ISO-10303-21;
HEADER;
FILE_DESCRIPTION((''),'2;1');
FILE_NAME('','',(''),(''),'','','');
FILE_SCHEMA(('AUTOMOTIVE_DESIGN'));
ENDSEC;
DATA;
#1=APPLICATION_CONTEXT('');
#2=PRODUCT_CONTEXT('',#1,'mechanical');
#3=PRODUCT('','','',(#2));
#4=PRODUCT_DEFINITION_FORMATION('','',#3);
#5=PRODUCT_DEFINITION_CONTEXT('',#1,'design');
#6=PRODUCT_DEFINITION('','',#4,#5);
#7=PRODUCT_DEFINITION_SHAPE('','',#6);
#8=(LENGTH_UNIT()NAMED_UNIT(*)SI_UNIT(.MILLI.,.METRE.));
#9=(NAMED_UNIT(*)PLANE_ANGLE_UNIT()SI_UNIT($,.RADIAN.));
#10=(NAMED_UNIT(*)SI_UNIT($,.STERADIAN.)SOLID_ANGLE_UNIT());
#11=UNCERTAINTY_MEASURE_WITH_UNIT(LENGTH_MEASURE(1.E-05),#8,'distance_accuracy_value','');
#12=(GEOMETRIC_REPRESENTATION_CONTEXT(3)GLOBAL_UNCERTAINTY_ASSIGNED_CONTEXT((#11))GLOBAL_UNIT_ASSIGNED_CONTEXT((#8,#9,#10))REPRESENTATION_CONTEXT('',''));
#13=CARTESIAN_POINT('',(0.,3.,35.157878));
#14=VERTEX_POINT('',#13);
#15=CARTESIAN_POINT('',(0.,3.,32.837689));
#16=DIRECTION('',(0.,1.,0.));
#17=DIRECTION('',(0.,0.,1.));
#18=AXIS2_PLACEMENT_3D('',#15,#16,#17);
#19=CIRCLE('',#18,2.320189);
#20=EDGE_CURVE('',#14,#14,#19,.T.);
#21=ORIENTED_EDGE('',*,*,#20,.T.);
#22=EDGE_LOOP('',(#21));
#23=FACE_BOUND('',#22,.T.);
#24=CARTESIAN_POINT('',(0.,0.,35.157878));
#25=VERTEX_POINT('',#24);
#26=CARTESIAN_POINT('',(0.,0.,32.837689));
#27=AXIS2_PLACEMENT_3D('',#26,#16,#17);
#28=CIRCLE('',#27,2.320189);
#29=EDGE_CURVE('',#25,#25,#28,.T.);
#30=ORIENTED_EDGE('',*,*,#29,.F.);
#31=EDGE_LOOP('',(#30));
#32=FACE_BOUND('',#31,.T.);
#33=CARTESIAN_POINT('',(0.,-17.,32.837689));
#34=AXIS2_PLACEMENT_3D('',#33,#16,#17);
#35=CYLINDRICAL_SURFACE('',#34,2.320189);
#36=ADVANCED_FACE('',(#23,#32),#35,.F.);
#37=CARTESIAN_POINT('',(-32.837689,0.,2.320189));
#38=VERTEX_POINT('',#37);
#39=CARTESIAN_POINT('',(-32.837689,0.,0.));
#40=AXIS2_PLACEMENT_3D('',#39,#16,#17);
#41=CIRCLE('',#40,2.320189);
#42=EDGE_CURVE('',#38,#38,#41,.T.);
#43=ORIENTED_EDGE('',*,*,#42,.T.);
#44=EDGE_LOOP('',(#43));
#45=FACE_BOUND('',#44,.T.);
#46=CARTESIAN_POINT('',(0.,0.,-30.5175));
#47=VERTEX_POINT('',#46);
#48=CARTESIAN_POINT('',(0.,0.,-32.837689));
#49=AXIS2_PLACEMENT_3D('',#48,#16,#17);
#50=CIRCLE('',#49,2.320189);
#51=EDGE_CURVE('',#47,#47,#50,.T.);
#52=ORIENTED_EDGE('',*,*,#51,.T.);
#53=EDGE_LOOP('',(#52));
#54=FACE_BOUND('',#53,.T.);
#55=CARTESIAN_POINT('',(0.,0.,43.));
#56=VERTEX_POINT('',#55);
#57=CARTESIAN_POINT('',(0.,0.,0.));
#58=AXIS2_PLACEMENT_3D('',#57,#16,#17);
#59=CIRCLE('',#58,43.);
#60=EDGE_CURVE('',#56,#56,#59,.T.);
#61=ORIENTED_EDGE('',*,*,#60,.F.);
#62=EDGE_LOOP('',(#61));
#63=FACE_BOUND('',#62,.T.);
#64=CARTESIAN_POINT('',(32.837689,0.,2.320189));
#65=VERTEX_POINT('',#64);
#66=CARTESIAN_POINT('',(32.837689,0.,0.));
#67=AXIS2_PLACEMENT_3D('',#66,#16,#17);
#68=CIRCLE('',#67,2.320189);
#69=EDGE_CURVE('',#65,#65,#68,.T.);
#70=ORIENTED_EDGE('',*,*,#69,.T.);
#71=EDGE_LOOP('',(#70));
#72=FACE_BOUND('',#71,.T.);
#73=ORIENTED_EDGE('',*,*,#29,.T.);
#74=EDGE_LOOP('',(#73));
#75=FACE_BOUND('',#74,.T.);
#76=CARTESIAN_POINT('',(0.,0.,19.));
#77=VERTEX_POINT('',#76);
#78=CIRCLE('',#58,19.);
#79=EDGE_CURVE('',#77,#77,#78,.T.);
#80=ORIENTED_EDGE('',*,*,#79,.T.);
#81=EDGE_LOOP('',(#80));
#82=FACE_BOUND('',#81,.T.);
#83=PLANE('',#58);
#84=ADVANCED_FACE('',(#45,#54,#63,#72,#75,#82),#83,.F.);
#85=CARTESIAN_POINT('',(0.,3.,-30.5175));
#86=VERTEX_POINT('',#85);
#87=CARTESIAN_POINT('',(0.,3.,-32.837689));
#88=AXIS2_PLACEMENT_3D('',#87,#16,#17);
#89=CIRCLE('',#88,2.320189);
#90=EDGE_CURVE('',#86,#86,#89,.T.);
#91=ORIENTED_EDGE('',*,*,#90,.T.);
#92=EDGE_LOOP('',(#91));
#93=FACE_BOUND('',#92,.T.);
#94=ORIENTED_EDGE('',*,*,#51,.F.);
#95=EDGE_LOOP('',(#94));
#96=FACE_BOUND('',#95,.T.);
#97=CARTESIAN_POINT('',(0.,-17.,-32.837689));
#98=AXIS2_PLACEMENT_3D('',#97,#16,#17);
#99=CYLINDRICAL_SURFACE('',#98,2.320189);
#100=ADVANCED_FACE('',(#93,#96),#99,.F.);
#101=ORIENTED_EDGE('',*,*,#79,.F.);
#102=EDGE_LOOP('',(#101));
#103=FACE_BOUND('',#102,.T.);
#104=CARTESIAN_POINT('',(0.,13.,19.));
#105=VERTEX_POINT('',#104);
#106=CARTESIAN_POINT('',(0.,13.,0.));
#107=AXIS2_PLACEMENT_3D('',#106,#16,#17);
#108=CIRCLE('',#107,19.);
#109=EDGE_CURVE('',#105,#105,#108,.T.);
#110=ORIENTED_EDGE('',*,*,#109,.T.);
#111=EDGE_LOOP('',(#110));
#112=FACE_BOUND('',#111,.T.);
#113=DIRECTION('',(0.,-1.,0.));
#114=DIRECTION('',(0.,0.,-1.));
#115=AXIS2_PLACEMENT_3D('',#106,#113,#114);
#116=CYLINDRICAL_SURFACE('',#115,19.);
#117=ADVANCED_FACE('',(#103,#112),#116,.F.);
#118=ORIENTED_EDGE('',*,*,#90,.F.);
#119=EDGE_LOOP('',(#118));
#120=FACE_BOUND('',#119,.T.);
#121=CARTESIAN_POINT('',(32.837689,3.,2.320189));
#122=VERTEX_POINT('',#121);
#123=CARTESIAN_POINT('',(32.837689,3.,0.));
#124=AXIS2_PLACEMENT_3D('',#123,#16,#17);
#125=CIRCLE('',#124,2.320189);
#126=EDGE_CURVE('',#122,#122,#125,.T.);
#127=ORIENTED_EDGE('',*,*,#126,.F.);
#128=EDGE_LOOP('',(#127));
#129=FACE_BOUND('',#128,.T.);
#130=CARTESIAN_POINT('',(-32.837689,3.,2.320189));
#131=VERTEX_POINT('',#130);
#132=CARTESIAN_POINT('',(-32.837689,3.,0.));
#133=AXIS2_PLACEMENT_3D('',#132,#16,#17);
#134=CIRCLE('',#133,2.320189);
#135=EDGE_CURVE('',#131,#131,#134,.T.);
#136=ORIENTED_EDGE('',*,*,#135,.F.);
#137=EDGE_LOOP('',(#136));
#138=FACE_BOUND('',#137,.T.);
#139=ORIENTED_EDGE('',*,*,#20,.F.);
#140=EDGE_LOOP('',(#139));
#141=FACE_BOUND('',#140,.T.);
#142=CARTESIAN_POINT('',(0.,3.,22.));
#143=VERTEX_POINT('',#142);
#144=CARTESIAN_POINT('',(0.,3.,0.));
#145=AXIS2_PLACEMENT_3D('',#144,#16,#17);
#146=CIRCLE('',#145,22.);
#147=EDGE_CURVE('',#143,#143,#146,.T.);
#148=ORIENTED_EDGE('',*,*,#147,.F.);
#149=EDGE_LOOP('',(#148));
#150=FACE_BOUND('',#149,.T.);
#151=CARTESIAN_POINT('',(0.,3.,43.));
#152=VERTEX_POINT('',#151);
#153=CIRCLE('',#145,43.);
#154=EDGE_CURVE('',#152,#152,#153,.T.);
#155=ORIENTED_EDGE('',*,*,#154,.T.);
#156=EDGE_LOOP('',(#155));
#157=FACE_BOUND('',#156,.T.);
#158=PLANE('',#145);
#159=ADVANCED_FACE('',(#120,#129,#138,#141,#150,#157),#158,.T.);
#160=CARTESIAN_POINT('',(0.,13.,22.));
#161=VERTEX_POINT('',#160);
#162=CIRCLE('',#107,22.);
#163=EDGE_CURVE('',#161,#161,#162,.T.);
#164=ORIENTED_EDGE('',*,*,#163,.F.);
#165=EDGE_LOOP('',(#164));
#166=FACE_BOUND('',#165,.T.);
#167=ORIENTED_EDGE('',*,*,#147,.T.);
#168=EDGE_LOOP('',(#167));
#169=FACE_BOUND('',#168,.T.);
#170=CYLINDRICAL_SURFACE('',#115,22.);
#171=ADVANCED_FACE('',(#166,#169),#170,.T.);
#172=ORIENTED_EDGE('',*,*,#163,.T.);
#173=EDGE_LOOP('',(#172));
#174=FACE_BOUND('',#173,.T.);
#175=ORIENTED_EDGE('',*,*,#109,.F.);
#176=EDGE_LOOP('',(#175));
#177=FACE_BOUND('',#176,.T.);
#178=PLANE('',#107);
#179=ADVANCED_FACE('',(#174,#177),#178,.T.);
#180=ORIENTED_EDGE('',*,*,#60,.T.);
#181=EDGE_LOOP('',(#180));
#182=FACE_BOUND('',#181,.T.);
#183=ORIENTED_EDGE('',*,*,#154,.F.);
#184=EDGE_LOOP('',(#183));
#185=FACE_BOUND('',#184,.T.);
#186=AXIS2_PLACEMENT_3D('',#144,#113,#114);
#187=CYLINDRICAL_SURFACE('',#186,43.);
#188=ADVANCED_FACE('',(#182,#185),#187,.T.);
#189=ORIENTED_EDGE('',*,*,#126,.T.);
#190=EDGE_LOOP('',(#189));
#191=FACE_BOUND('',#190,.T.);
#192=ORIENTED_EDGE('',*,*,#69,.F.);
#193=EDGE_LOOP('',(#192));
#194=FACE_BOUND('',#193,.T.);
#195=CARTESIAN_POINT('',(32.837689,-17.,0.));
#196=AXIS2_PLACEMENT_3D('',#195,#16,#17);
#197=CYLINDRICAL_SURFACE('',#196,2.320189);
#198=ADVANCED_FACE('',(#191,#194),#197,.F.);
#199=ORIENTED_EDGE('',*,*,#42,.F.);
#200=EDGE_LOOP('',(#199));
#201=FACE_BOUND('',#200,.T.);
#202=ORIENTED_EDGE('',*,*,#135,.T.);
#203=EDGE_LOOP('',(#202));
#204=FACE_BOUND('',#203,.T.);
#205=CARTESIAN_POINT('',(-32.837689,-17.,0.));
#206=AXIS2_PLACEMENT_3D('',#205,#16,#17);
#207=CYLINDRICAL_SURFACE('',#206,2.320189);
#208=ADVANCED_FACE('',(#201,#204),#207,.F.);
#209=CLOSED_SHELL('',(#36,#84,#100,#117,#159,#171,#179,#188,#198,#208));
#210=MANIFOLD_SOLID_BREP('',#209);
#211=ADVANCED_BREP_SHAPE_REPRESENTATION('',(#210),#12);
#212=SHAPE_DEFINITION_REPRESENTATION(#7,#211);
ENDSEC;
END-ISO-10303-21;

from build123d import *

# Parameters (mm, degrees)
SKETCH_1_R          = 43
EXTRUDE_1_DEPTH     = 3
SKETCH_2_R          = 22
SKETCH_2_R_2        = 19
EXTRUDE_2_DEPTH     = 10
SKETCH_3_R          = 19
SKETCH_3_R_2        = 2.320189094
CUT_EXTRUDE_1_DEPTH = 20


with BuildPart() as part:
    # 草图1 → 凸台-拉伸1 (new body)
    with BuildSketch(Plane(origin=(0, 0, 0), x_dir=(1, 0, 0), z_dir=(0, 1, 0))):
        Circle(SKETCH_1_R)
    extrude(amount=EXTRUDE_1_DEPTH)

    # 草图2 → 凸台-拉伸2 (add)
    with BuildSketch(Plane(origin=(0, 3, 0), x_dir=(1, 0, 0), z_dir=(0, 1, 0))):
        Circle(SKETCH_2_R)
        Circle(SKETCH_2_R_2, mode=Mode.SUBTRACT)
    extrude(amount=EXTRUDE_2_DEPTH)

    # 草图3 → 切除-拉伸1 (cut)
    with BuildSketch(Plane(origin=(0, 3, 0), x_dir=(1, 0, 0), z_dir=(0, 1, 0))):
        Circle(SKETCH_3_R)
        with Locations((0, 32.837689205)):
            Circle(SKETCH_3_R_2)
        with Locations((32.837689205, 0)):
            Circle(SKETCH_3_R_2)
        with Locations((0, -32.837689205)):
            Circle(SKETCH_3_R_2)
        with Locations((-32.837689205, 0)):
            Circle(SKETCH_3_R_2)
    extrude(amount=-CUT_EXTRUDE_1_DEPTH, mode=Mode.SUBTRACT)


solid = part.part
